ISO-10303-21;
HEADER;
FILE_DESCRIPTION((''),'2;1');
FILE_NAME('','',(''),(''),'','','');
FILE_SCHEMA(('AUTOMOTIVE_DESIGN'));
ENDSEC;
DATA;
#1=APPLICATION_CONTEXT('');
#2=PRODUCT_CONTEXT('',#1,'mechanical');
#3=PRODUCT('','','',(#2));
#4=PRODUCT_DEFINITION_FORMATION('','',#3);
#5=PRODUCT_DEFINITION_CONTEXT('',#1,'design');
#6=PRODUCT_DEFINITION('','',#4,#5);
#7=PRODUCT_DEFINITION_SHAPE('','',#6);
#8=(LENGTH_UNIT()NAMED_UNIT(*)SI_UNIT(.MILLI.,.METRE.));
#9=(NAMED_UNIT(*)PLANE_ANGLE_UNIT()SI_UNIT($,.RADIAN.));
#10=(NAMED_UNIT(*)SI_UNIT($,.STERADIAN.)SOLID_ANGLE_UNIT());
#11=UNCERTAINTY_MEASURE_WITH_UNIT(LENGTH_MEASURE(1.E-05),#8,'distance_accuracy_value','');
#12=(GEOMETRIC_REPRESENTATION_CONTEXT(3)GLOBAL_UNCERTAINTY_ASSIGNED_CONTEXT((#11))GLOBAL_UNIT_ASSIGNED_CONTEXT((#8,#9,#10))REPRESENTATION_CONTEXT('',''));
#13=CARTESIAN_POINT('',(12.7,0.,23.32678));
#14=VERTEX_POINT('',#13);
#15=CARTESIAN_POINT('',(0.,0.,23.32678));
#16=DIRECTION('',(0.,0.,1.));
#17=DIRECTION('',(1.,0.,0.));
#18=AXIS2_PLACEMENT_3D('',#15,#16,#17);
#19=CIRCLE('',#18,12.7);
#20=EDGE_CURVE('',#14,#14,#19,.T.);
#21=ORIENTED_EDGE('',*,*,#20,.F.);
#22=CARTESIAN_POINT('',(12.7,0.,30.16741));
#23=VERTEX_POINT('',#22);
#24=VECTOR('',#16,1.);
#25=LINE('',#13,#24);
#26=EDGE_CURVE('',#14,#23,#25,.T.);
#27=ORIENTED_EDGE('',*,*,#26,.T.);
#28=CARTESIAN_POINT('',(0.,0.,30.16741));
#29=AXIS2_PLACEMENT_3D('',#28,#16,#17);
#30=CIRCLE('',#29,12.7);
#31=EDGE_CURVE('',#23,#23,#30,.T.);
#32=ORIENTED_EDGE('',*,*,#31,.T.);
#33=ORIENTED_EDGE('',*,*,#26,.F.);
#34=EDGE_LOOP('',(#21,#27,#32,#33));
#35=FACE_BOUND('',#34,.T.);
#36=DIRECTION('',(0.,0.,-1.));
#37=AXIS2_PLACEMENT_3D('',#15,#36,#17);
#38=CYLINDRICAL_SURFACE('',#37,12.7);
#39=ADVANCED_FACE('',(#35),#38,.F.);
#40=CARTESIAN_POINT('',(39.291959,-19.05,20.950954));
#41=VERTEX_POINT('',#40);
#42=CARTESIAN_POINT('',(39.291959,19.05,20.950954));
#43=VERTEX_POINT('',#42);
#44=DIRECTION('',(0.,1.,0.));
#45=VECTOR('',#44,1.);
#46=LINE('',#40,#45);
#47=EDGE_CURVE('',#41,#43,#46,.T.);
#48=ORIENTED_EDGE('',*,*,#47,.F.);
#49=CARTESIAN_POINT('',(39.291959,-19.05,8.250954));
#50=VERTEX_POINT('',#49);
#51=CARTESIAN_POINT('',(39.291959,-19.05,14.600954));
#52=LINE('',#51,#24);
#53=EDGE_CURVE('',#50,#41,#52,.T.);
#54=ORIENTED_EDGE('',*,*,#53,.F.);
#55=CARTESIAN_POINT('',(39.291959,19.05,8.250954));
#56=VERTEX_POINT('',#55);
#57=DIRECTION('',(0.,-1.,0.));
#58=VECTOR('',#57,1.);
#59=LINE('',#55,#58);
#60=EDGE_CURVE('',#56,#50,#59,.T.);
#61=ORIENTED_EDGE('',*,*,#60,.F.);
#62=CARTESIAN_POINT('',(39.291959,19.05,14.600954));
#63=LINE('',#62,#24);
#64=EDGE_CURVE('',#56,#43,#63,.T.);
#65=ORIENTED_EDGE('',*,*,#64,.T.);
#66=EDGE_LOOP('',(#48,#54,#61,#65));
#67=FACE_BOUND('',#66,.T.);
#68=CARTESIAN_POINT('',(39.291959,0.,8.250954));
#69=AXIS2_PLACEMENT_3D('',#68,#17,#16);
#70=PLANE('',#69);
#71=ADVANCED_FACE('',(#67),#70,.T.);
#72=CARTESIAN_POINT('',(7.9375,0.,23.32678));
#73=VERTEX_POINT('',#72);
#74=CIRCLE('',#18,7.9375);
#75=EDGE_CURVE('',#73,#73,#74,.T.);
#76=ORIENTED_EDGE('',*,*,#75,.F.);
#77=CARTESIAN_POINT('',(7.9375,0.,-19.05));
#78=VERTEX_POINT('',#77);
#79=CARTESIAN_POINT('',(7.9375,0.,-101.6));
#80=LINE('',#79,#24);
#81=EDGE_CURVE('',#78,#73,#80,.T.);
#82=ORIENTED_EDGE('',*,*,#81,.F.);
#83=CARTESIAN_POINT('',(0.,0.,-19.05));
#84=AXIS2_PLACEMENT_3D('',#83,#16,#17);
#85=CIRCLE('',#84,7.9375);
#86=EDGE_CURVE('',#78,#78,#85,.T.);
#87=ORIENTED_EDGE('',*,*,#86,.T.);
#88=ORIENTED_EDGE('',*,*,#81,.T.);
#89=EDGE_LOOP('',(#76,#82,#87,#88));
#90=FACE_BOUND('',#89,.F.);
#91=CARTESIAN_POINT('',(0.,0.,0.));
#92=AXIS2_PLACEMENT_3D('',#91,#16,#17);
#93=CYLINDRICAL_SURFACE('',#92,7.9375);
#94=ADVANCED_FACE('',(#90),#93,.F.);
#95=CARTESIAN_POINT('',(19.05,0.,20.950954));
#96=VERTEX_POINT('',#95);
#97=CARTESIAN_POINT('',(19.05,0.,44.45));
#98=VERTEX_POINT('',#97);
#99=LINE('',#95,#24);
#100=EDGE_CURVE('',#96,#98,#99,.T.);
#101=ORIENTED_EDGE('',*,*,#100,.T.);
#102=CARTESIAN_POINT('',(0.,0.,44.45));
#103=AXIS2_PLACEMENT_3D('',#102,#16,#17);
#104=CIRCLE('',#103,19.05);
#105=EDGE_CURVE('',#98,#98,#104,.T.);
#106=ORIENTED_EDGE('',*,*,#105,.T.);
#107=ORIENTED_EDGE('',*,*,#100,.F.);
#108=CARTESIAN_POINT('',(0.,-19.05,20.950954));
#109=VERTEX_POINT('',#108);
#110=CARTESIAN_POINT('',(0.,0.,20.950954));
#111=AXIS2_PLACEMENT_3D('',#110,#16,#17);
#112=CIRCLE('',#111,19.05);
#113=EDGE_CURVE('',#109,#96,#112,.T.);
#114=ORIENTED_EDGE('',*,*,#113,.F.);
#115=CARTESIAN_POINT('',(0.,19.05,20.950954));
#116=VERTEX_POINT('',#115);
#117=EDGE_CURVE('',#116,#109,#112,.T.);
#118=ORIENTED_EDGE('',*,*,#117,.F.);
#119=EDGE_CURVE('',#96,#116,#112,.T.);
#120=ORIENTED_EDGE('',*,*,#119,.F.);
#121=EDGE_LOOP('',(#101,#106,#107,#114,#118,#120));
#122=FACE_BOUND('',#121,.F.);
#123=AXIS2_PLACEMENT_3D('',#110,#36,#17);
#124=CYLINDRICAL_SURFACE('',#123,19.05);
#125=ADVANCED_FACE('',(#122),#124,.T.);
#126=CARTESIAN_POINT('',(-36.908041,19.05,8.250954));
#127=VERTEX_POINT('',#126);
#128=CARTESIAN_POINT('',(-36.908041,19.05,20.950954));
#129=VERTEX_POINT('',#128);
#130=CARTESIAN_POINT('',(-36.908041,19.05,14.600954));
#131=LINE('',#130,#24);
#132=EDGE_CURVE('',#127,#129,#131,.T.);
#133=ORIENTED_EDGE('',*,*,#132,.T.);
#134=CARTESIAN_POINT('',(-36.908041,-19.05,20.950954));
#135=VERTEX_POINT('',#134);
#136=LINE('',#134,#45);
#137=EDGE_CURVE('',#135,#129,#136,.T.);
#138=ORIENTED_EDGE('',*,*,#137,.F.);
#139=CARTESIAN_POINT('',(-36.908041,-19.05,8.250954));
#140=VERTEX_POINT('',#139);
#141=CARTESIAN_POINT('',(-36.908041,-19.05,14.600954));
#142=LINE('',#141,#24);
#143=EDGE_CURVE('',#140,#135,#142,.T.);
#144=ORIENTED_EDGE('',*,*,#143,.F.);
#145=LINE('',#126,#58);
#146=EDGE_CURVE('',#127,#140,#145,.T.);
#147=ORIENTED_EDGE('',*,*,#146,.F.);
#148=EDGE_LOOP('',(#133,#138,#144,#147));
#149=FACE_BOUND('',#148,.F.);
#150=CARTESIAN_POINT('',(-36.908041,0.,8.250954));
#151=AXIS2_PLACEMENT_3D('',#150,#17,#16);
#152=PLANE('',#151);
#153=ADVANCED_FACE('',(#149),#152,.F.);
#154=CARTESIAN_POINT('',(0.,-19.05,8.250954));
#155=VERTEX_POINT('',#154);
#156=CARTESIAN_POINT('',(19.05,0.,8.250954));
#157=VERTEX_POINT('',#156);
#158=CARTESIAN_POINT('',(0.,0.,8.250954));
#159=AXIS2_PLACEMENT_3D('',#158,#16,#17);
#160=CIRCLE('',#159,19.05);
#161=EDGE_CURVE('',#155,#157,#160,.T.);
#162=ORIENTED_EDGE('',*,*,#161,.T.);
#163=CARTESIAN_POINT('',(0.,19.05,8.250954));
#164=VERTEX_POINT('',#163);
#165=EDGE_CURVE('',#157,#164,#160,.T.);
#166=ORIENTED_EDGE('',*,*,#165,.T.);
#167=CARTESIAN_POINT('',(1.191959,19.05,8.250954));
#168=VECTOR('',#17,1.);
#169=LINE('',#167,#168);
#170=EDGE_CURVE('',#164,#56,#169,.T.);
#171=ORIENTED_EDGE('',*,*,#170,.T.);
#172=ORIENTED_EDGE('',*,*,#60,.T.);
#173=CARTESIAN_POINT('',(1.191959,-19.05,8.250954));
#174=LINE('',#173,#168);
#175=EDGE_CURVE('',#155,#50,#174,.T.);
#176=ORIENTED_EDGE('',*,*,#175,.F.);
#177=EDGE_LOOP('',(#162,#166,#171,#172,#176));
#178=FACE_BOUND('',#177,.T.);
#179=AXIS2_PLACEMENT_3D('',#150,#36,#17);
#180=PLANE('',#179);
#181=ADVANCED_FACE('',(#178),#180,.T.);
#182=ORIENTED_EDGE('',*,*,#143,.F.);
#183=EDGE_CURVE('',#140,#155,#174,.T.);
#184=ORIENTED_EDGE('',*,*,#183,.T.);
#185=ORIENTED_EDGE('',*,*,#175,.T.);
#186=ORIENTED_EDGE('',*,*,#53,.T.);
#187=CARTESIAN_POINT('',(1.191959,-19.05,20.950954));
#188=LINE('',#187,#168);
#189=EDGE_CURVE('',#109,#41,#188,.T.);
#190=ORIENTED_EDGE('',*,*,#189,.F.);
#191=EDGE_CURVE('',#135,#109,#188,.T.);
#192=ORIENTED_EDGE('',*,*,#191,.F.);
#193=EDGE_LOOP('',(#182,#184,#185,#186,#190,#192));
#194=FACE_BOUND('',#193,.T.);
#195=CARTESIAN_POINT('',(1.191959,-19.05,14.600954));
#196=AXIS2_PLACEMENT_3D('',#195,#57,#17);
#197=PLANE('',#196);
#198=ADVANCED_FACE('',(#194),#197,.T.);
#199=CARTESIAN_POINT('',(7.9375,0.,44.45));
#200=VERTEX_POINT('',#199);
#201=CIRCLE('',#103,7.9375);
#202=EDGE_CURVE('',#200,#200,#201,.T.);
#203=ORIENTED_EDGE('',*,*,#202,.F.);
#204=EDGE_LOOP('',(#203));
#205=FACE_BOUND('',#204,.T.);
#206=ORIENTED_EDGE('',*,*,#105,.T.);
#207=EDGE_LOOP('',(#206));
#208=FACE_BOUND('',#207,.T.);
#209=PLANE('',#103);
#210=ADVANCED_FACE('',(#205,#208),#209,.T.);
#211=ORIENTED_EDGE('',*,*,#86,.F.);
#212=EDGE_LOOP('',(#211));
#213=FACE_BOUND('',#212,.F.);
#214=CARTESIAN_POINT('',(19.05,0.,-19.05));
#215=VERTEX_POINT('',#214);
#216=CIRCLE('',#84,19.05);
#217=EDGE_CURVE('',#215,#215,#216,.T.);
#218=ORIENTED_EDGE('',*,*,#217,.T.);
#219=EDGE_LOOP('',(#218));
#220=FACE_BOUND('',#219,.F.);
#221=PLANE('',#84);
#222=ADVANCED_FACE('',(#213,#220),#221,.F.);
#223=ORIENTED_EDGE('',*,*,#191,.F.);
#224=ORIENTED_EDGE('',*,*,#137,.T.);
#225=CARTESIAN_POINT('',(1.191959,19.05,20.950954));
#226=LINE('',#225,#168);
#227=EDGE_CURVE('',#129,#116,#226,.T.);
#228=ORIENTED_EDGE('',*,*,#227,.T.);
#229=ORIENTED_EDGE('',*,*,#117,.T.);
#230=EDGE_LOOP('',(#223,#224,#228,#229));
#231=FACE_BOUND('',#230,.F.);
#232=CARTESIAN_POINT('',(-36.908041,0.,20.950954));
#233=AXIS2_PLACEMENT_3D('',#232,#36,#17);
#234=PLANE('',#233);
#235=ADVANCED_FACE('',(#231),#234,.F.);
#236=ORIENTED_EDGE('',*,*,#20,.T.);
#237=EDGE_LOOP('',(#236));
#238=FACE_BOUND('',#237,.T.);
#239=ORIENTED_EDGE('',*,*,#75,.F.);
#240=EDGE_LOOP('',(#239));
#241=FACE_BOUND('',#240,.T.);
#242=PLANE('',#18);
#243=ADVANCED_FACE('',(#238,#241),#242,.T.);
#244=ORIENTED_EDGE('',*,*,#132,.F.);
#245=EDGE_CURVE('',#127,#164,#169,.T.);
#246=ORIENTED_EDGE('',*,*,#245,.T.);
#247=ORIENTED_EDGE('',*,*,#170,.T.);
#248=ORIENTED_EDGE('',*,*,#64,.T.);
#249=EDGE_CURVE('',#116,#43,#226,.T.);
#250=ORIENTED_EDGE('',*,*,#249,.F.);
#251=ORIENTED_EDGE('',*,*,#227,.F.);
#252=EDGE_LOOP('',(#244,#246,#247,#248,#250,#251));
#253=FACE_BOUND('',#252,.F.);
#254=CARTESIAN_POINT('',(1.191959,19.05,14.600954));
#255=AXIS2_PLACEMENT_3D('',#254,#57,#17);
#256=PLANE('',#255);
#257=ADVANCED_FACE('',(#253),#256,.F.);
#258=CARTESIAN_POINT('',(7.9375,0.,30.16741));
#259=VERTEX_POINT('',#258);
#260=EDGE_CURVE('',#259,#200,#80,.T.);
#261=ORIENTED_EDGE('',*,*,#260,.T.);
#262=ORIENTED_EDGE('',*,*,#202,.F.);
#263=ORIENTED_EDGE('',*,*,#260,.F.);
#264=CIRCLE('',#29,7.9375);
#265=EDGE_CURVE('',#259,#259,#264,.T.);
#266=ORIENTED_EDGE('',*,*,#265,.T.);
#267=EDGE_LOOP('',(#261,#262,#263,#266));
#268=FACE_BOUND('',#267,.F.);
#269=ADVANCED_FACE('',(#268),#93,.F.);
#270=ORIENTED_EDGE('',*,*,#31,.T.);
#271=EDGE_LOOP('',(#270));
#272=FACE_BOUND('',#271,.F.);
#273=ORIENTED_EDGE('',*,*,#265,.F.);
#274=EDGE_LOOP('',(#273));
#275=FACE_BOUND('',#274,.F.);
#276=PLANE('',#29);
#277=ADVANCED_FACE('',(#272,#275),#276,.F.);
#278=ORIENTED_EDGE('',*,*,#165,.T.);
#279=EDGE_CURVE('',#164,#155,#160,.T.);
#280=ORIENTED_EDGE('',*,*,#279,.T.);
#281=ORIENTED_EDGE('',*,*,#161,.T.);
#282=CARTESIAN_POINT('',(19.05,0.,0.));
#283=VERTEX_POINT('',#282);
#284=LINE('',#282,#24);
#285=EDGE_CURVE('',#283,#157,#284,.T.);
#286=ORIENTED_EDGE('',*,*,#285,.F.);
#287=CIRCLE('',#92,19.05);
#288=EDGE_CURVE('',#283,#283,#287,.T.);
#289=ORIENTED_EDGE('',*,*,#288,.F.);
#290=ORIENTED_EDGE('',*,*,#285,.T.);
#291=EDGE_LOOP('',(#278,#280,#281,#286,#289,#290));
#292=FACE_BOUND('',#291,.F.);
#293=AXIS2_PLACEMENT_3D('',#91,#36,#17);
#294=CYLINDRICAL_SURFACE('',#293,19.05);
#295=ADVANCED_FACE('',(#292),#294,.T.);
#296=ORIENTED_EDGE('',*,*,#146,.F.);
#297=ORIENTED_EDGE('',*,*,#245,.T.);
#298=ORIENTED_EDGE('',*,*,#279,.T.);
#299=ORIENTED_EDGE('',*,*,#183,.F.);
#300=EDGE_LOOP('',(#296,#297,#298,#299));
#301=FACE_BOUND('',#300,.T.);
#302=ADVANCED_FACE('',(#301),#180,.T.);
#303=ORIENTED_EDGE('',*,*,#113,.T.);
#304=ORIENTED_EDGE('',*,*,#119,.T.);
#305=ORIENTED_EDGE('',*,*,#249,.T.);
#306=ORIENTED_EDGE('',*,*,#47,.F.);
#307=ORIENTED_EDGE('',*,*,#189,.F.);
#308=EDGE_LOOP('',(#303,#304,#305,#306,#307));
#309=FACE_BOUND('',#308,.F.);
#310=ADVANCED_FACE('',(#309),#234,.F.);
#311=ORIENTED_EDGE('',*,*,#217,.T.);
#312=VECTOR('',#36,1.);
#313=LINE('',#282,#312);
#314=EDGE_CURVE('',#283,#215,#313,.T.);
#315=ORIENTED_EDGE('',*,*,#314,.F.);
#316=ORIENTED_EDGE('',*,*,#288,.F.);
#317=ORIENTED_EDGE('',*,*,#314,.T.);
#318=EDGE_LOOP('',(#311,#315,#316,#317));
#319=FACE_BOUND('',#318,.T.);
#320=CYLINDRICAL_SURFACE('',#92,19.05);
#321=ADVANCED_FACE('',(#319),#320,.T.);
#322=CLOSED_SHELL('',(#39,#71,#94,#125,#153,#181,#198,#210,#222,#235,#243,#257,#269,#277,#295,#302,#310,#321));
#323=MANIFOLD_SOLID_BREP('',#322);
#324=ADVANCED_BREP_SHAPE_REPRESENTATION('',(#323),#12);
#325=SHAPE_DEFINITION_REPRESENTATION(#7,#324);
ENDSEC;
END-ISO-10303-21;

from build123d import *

# Parameters (mm, degrees)
F0_W          = 76.2
F0_H          = 12.7
F1_DEPTH      = 19.05
F2_R          = 19.05
F3_DEPTH      = 19.05
F3_DEPTH_BACK = 8.2509537059
F4_START      = 20.9509537059
F4_DEPTH      = 23.4990462941
F5_R          = 7.9375
F6_DEPTH      = 101.6
F8_START      = 23.32678
F7_R          = 12.7
F8_DEPTH      = 6.84063


with BuildPart() as f1:
    # F0 (on Front) → F1 (new body, symmetric)
    with BuildSketch(Plane.XZ):
        with Locations((1.1919587851, 14.6009537059)):
            Rectangle(F0_W, F0_H)
    extrude(amount=F1_DEPTH, both=True)

    # F2 (on Top) → F3 (join, two sides)
    with BuildSketch(Plane.XY) as f3_sk:
        Circle(F2_R)
    extrude(amount=-F3_DEPTH)
    extrude(f3_sk.sketch, amount=F3_DEPTH_BACK)

    # F2 (on Top) → F4 (join)
    with BuildSketch(Plane.XY.offset(F4_START)):
        Circle(F2_R)
    extrude(amount=F4_DEPTH)

    # F5 (on Top) → F6 (cut, symmetric)
    with BuildSketch(Plane.XY):
        Circle(F5_R)
    extrude(amount=F6_DEPTH, both=True, mode=Mode.SUBTRACT)

    # F7 (on Top) → F8 (cut)
    with BuildSketch(Plane.XY.offset(F8_START)):
        Circle(F7_R)
    extrude(amount=F8_DEPTH, mode=Mode.SUBTRACT)


solid = f1.part
